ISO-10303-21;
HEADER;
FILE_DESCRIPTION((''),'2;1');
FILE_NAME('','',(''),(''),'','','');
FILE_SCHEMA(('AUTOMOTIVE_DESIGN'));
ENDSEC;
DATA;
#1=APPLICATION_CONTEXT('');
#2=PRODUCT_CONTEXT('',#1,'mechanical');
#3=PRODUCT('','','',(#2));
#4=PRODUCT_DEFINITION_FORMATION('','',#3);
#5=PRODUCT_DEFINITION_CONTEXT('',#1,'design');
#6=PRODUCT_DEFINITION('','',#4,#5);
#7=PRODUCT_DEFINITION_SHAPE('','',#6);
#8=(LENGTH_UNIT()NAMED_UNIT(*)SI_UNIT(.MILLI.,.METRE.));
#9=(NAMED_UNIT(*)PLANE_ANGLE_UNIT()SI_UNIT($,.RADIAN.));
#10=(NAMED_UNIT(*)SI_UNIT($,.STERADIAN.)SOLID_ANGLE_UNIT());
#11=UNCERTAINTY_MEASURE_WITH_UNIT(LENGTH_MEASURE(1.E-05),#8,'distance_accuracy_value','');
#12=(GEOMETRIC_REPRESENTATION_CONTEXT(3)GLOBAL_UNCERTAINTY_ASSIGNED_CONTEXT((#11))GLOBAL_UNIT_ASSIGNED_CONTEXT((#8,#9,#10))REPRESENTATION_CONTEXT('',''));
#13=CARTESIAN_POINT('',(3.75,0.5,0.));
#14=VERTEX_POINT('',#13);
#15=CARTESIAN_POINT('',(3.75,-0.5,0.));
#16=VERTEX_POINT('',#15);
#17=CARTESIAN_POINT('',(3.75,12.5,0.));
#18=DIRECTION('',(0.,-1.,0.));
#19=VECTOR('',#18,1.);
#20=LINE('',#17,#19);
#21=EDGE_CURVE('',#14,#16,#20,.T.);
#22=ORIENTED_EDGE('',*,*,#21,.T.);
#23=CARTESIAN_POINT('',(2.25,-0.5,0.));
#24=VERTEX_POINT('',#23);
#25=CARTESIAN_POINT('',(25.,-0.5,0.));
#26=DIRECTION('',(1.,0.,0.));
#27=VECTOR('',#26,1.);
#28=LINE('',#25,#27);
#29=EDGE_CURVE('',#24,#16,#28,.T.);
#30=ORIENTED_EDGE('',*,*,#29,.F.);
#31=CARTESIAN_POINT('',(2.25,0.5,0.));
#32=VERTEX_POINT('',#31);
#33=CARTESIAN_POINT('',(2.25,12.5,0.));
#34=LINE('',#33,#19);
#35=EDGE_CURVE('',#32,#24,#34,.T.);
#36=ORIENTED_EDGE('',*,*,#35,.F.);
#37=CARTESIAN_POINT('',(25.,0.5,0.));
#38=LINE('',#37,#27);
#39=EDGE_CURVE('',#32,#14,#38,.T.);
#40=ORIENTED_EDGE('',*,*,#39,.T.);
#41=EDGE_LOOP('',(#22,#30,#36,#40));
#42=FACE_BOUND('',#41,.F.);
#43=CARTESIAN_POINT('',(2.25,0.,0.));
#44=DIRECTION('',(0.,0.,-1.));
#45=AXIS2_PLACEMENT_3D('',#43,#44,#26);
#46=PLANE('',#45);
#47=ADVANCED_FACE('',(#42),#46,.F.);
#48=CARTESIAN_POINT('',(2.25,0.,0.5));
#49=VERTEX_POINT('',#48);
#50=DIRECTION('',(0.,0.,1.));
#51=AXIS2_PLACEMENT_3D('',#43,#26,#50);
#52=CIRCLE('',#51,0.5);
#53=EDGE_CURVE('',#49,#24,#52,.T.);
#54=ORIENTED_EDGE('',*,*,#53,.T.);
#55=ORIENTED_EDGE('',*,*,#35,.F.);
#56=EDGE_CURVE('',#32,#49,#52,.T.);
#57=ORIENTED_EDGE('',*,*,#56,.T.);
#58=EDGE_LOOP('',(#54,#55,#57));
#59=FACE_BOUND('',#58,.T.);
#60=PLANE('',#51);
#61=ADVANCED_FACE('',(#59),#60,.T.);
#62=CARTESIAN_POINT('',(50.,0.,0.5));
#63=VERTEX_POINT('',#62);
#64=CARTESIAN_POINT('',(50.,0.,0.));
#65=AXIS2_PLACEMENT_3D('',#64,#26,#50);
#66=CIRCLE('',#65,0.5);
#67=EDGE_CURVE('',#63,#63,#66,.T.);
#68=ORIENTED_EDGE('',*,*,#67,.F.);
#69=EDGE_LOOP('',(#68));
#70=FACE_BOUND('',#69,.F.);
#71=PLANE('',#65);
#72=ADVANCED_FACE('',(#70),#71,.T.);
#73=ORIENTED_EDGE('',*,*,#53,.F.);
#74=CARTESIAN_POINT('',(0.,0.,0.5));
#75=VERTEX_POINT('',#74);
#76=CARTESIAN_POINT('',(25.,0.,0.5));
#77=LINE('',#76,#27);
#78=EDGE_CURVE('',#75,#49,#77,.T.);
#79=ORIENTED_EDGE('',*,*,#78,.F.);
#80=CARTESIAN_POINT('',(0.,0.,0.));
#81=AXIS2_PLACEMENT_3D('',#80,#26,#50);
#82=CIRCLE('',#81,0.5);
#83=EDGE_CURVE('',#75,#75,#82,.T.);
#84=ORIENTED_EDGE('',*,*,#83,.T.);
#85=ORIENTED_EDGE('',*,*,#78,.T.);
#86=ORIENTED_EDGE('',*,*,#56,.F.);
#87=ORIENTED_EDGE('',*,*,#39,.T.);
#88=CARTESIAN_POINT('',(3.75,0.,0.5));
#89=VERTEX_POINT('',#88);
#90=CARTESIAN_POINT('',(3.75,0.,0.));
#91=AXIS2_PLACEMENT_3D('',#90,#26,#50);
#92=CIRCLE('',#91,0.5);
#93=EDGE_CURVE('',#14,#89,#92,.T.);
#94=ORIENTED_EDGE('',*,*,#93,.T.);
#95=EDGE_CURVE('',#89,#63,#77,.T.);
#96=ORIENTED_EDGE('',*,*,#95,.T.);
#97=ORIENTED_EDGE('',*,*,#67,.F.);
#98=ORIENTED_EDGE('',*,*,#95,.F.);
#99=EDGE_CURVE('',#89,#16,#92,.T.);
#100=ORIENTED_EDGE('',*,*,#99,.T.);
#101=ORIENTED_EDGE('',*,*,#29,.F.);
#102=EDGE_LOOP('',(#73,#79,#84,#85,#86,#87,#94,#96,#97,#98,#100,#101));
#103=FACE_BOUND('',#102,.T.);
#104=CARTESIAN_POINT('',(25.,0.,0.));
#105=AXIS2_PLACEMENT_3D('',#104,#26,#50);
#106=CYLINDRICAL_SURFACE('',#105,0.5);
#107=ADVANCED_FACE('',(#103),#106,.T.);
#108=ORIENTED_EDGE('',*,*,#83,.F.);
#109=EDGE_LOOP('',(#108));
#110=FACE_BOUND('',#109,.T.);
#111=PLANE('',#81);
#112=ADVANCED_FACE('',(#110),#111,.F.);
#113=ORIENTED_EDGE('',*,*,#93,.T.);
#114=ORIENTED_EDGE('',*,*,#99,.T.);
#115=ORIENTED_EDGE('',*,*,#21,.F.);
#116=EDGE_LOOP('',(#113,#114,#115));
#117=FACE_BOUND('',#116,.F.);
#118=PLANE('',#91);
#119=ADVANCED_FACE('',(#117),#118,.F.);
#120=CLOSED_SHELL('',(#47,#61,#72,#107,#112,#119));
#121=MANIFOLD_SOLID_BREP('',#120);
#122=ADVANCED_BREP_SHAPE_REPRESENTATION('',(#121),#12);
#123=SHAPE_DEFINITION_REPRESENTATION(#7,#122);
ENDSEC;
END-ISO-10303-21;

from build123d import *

# Parameters (mm, degrees)
F0_W     = 50
F0_H     = 0.5
F2_W     = 1.5
F2_H     = 1
F3_DEPTH = 12.5


with BuildPart() as f1:
    # F0 (on Front) → F1 (revolve)
    with BuildSketch(Plane.XZ):
        with Locations((25, 0.25)):
            Rectangle(F0_W, F0_H)
    revolve(axis=Axis((25, 0, 0), (1, 0, 0)))

    # F2 (on Front) → F3 (cut, symmetric)
    with BuildSketch(Plane.XZ):
        with Locations((3, 0.5)):
            Rectangle(F2_W, F2_H)
    extrude(amount=F3_DEPTH, both=True, mode=Mode.SUBTRACT)


solid = f1.part
